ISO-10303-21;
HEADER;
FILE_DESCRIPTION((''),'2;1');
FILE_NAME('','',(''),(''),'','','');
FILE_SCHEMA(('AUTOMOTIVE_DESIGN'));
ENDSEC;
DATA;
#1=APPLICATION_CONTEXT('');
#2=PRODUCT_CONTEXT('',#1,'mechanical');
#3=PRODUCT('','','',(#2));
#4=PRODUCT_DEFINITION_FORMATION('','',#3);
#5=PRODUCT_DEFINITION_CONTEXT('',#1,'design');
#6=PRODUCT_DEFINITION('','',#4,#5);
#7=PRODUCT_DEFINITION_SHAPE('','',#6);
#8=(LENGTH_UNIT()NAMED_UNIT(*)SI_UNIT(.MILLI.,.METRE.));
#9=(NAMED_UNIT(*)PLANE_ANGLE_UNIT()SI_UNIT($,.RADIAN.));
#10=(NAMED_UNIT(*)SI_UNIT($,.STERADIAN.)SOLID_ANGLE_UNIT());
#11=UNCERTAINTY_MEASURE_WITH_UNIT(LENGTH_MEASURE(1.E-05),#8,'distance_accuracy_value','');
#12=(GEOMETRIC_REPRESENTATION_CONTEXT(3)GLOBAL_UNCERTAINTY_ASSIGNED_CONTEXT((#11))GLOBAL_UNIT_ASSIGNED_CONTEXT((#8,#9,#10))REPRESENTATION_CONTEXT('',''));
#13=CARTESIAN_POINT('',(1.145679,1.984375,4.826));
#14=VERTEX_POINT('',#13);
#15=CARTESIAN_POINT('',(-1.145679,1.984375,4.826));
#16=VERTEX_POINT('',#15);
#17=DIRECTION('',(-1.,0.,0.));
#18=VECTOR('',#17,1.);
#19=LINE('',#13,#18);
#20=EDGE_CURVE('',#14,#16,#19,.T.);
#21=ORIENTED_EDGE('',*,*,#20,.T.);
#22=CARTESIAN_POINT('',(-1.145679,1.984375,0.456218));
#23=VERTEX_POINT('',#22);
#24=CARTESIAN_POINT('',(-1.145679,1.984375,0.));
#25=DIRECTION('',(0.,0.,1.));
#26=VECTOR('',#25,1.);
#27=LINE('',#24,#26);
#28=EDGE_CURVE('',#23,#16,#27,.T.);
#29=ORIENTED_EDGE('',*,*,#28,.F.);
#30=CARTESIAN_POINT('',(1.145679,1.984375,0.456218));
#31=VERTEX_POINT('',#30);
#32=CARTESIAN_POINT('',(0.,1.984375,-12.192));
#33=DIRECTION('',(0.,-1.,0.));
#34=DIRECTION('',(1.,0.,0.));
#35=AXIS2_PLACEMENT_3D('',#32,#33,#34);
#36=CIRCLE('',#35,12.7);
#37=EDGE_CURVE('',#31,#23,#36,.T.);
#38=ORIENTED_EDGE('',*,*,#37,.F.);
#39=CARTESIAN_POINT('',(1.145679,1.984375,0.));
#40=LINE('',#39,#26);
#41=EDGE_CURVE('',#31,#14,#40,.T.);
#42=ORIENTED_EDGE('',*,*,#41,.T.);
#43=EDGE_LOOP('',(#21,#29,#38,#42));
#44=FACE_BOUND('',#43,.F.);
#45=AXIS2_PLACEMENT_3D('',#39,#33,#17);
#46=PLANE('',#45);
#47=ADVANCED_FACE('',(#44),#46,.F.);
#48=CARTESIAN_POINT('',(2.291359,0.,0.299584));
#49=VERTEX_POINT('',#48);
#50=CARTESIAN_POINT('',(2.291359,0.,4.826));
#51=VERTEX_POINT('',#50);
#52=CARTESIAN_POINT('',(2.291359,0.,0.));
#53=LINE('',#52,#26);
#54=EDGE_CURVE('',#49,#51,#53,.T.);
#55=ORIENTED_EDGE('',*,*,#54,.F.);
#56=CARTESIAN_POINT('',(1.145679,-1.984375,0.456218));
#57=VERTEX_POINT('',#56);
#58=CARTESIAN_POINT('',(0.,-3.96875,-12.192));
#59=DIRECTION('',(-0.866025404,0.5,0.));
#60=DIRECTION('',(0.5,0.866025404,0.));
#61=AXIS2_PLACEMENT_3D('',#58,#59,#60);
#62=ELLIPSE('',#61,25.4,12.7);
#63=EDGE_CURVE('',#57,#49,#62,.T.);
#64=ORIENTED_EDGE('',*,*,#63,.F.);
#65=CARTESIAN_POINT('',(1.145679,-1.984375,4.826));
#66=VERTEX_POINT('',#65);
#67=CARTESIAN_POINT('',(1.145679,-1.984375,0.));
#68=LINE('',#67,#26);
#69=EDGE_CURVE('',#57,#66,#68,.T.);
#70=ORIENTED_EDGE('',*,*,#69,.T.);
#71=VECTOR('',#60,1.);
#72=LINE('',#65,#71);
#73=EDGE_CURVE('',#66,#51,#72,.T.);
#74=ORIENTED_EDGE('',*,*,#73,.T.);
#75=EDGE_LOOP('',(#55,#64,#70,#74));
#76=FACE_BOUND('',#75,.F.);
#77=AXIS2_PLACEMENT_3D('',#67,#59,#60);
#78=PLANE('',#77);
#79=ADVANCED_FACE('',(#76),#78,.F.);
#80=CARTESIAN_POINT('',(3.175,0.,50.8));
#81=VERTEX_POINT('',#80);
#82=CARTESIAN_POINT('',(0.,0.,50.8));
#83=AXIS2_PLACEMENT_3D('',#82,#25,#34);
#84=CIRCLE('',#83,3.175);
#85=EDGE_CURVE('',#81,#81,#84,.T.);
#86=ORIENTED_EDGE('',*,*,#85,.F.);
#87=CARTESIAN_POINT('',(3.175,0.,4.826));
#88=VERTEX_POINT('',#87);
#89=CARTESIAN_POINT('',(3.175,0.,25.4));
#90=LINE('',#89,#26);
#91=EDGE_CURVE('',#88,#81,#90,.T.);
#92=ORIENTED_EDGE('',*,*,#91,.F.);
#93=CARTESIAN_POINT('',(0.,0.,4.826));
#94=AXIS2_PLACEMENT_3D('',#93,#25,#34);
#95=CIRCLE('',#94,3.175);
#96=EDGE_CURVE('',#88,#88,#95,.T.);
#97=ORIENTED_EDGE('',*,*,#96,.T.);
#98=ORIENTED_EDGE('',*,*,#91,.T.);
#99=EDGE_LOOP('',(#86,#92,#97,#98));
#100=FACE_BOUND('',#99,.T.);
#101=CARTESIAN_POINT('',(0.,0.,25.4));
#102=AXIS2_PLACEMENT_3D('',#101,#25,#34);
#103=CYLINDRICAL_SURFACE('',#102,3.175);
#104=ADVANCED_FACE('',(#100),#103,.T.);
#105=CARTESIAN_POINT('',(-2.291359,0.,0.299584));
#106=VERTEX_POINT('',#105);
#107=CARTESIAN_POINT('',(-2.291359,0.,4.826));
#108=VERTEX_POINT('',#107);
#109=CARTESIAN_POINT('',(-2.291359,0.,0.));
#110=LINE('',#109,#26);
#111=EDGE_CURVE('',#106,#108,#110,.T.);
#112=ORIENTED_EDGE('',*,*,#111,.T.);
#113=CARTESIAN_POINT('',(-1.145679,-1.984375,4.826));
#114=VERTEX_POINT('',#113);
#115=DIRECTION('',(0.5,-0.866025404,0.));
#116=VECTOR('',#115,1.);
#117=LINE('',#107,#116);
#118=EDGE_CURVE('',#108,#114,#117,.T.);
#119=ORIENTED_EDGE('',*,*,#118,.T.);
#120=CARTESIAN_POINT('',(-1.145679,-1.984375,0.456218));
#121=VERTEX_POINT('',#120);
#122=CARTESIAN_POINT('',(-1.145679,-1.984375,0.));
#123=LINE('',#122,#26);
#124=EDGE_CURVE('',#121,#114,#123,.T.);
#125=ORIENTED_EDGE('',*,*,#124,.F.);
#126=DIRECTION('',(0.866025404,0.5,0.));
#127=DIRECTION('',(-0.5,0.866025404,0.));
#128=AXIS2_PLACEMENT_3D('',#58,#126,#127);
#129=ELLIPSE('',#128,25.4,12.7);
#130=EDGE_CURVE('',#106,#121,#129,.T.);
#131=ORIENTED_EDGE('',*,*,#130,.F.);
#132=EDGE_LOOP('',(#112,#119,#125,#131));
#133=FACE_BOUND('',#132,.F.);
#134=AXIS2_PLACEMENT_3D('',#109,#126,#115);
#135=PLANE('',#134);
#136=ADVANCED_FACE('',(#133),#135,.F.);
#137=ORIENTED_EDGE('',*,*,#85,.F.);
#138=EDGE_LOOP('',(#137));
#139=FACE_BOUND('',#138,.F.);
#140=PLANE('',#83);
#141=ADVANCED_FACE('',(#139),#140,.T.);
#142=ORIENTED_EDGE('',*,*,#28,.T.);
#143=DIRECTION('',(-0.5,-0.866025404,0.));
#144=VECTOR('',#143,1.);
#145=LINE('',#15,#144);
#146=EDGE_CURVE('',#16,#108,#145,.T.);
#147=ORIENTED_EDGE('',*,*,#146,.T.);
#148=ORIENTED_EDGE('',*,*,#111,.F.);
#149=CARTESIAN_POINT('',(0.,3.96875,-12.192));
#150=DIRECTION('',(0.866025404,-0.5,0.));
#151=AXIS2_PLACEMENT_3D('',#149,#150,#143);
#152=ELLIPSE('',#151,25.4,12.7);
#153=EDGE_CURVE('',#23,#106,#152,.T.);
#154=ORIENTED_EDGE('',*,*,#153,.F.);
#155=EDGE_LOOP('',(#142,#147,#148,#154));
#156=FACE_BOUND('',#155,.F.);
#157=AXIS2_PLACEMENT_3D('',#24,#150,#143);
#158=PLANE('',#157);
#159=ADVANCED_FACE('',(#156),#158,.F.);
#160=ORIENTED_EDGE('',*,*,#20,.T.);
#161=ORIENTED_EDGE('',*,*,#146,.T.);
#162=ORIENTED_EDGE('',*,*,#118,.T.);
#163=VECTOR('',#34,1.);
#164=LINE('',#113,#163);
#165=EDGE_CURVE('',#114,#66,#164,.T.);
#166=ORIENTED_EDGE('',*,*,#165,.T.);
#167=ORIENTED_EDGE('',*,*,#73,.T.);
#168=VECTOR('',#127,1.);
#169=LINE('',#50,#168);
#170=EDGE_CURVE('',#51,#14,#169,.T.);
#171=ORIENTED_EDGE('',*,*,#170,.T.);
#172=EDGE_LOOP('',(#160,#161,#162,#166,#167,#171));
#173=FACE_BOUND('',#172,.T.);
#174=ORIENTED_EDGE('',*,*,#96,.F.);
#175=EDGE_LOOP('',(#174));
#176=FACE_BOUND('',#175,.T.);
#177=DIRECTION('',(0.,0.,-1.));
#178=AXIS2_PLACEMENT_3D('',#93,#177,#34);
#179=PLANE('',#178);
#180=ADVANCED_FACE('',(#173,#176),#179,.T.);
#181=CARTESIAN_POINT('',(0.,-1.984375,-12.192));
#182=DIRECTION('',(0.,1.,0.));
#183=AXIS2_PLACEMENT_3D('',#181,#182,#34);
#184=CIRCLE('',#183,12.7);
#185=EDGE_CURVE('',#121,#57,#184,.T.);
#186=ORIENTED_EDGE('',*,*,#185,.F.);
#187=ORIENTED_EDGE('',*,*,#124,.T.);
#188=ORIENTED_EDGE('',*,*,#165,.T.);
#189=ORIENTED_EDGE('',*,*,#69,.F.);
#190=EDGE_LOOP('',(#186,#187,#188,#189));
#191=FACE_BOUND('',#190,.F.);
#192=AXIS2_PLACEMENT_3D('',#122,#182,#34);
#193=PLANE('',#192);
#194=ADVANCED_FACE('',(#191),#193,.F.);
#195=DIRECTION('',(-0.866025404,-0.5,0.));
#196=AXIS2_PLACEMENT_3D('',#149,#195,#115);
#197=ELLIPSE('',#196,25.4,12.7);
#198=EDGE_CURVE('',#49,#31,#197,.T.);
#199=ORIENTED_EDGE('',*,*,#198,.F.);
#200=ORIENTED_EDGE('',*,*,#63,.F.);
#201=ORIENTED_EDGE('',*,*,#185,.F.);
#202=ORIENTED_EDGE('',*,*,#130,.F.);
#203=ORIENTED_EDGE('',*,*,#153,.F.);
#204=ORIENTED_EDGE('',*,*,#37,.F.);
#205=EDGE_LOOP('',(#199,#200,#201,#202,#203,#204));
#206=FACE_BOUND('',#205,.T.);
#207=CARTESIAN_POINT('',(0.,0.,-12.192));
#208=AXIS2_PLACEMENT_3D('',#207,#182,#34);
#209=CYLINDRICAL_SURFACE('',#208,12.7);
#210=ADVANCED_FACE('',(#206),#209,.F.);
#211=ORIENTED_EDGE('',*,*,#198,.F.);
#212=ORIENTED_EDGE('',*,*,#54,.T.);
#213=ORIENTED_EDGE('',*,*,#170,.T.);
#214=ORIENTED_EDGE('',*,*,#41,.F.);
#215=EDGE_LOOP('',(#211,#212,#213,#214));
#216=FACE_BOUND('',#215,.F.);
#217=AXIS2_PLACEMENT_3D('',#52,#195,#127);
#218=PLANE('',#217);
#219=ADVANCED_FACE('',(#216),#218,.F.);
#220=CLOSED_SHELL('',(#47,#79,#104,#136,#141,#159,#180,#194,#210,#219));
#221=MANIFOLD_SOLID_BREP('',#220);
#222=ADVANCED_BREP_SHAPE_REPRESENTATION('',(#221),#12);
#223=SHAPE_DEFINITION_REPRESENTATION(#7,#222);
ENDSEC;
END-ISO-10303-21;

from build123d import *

# Parameters (mm, degrees)
F0_W          = 3.175
F0_H          = 50.8
F2_R          = 4.7625
F3_DEPTH      = 4.826
F4_R          = 12.7
F5_DEPTH      = 3.176
F5_DEPTH_BACK = 3.176


with BuildPart() as f1:
    # F0 (on Front) → F1 (revolve)
    with BuildSketch(Plane.XZ):
        with Locations((1.5875, 25.4)):
            Rectangle(F0_W, F0_H)
    revolve(axis=Axis((0, 0, 31.9059565663), (0, 0, 1)))

    # F2 (on face) → F3 (cut)
    with BuildSketch(Plane(origin=(0, 0, 0), x_dir=(1, 0, 0), z_dir=(0, 0, -1))):
        Circle(F2_R)
        Polygon((-2.2913588808, 0), (-1.1456794404, 1.984375), (1.1456794404, 1.984375), (2.2913588808, 0), (1.1456794404, -1.984375), (-1.1456794404, -1.984375), align=None, mode=Mode.SUBTRACT)
    extrude(amount=-F3_DEPTH, mode=Mode.SUBTRACT)

    # F4 (on Front) → F5 (cut, two sides)
    with BuildSketch(Plane.XZ) as f5_sk:
        with Locations((0, -12.192)):
            Circle(F4_R)
    extrude(amount=-F5_DEPTH, mode=Mode.SUBTRACT)
    extrude(f5_sk.sketch, amount=F5_DEPTH_BACK, mode=Mode.SUBTRACT)


solid = f1.part
